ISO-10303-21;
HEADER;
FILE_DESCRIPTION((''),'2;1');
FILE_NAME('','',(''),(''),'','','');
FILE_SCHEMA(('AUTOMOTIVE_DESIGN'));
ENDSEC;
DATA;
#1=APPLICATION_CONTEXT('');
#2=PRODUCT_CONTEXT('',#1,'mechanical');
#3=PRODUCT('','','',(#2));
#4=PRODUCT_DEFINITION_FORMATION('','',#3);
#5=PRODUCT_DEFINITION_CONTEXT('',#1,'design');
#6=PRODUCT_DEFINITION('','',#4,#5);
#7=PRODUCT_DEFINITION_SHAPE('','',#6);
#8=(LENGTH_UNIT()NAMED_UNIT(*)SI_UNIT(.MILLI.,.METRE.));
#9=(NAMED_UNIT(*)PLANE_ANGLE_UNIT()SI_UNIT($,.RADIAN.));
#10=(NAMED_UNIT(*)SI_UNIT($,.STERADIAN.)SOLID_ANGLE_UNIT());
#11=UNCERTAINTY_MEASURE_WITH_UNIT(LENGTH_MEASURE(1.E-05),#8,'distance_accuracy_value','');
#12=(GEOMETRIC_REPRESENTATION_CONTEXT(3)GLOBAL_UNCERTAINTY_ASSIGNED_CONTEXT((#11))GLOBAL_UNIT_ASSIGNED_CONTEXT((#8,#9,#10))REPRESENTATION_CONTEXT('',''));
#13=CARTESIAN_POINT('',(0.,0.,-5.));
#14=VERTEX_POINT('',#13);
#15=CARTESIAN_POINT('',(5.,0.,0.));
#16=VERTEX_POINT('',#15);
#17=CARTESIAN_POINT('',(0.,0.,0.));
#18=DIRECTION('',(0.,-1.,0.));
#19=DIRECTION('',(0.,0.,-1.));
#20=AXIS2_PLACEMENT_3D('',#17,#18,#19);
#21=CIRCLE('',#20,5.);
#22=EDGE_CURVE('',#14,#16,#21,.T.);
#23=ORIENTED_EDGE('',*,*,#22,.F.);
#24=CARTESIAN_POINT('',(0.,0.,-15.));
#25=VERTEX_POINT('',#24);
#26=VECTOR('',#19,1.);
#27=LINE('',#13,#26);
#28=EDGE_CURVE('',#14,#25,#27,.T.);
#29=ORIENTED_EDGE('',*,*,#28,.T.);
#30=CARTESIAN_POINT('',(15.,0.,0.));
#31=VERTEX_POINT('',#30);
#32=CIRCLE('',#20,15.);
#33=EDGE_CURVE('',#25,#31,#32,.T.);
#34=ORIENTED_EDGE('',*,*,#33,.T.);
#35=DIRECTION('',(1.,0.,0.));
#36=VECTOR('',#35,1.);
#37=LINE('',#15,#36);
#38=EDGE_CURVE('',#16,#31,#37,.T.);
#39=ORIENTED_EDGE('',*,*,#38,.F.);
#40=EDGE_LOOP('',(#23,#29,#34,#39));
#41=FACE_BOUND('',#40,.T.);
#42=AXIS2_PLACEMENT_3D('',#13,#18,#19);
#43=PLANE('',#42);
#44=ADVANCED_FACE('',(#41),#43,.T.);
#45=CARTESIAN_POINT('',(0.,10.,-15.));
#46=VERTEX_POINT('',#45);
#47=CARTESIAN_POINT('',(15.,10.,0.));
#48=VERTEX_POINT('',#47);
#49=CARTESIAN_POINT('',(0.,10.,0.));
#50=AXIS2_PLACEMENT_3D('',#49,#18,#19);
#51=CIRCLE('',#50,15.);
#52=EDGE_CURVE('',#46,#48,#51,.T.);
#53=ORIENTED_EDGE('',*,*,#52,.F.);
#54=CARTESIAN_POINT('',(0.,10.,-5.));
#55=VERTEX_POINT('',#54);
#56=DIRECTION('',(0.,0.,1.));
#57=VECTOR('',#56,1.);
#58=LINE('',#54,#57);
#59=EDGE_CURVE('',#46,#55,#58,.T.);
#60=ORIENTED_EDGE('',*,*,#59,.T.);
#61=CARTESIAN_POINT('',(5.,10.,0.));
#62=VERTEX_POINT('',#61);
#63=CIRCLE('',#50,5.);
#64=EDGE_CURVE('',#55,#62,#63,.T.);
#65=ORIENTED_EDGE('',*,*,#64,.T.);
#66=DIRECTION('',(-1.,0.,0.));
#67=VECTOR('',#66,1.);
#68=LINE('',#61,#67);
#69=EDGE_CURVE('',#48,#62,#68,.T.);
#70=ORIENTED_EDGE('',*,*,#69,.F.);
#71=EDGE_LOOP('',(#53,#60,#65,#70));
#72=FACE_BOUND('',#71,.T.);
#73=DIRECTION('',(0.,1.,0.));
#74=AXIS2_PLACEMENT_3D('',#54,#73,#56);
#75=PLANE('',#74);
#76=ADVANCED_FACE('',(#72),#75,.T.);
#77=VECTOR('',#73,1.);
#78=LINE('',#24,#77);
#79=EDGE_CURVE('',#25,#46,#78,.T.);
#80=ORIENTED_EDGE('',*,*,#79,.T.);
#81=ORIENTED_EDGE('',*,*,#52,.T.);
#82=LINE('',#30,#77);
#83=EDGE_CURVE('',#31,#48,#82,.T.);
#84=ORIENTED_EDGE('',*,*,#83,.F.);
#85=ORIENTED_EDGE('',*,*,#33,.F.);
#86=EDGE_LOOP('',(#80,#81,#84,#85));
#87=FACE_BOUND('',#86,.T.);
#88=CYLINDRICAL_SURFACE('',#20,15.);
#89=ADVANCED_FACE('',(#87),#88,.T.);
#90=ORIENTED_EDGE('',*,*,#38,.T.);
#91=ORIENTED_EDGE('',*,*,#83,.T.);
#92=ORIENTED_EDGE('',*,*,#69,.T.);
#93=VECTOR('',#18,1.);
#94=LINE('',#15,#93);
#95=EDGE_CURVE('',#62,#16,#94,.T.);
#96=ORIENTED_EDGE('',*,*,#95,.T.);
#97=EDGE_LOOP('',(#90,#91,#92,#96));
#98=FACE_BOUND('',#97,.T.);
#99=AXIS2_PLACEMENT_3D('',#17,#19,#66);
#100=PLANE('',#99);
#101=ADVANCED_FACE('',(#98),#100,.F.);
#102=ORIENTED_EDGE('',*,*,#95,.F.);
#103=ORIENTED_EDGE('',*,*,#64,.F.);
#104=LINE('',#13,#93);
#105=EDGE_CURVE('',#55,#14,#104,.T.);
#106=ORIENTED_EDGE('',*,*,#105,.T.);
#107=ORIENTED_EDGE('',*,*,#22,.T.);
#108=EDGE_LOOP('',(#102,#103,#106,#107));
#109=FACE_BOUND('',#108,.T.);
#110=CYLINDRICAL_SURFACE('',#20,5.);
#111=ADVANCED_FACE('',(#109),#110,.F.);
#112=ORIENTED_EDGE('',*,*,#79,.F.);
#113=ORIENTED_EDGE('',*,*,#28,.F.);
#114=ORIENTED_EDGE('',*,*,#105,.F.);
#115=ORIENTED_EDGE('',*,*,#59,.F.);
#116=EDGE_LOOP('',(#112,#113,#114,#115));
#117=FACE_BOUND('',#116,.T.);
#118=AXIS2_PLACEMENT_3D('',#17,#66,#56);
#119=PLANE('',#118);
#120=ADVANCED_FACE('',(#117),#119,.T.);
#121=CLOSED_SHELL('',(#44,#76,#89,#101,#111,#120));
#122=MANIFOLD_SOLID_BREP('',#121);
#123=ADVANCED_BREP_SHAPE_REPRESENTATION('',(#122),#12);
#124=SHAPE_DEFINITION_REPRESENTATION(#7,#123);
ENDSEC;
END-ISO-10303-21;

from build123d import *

# Parameters (mm, degrees)
SKETCH_1_W      = 10
SKETCH_1_H      = 10
REVOLVE_1_ANGLE = 90


with BuildPart() as part:
    # 草图1 → 旋转1 (revolve)
    with BuildSketch(Plane.XY):
        with Locations((10, 5)):
            Rectangle(SKETCH_1_W, SKETCH_1_H)
    revolve(axis=Axis((0, 0, 0), (0, 1, 0)), revolution_arc=REVOLVE_1_ANGLE)


solid = part.part
